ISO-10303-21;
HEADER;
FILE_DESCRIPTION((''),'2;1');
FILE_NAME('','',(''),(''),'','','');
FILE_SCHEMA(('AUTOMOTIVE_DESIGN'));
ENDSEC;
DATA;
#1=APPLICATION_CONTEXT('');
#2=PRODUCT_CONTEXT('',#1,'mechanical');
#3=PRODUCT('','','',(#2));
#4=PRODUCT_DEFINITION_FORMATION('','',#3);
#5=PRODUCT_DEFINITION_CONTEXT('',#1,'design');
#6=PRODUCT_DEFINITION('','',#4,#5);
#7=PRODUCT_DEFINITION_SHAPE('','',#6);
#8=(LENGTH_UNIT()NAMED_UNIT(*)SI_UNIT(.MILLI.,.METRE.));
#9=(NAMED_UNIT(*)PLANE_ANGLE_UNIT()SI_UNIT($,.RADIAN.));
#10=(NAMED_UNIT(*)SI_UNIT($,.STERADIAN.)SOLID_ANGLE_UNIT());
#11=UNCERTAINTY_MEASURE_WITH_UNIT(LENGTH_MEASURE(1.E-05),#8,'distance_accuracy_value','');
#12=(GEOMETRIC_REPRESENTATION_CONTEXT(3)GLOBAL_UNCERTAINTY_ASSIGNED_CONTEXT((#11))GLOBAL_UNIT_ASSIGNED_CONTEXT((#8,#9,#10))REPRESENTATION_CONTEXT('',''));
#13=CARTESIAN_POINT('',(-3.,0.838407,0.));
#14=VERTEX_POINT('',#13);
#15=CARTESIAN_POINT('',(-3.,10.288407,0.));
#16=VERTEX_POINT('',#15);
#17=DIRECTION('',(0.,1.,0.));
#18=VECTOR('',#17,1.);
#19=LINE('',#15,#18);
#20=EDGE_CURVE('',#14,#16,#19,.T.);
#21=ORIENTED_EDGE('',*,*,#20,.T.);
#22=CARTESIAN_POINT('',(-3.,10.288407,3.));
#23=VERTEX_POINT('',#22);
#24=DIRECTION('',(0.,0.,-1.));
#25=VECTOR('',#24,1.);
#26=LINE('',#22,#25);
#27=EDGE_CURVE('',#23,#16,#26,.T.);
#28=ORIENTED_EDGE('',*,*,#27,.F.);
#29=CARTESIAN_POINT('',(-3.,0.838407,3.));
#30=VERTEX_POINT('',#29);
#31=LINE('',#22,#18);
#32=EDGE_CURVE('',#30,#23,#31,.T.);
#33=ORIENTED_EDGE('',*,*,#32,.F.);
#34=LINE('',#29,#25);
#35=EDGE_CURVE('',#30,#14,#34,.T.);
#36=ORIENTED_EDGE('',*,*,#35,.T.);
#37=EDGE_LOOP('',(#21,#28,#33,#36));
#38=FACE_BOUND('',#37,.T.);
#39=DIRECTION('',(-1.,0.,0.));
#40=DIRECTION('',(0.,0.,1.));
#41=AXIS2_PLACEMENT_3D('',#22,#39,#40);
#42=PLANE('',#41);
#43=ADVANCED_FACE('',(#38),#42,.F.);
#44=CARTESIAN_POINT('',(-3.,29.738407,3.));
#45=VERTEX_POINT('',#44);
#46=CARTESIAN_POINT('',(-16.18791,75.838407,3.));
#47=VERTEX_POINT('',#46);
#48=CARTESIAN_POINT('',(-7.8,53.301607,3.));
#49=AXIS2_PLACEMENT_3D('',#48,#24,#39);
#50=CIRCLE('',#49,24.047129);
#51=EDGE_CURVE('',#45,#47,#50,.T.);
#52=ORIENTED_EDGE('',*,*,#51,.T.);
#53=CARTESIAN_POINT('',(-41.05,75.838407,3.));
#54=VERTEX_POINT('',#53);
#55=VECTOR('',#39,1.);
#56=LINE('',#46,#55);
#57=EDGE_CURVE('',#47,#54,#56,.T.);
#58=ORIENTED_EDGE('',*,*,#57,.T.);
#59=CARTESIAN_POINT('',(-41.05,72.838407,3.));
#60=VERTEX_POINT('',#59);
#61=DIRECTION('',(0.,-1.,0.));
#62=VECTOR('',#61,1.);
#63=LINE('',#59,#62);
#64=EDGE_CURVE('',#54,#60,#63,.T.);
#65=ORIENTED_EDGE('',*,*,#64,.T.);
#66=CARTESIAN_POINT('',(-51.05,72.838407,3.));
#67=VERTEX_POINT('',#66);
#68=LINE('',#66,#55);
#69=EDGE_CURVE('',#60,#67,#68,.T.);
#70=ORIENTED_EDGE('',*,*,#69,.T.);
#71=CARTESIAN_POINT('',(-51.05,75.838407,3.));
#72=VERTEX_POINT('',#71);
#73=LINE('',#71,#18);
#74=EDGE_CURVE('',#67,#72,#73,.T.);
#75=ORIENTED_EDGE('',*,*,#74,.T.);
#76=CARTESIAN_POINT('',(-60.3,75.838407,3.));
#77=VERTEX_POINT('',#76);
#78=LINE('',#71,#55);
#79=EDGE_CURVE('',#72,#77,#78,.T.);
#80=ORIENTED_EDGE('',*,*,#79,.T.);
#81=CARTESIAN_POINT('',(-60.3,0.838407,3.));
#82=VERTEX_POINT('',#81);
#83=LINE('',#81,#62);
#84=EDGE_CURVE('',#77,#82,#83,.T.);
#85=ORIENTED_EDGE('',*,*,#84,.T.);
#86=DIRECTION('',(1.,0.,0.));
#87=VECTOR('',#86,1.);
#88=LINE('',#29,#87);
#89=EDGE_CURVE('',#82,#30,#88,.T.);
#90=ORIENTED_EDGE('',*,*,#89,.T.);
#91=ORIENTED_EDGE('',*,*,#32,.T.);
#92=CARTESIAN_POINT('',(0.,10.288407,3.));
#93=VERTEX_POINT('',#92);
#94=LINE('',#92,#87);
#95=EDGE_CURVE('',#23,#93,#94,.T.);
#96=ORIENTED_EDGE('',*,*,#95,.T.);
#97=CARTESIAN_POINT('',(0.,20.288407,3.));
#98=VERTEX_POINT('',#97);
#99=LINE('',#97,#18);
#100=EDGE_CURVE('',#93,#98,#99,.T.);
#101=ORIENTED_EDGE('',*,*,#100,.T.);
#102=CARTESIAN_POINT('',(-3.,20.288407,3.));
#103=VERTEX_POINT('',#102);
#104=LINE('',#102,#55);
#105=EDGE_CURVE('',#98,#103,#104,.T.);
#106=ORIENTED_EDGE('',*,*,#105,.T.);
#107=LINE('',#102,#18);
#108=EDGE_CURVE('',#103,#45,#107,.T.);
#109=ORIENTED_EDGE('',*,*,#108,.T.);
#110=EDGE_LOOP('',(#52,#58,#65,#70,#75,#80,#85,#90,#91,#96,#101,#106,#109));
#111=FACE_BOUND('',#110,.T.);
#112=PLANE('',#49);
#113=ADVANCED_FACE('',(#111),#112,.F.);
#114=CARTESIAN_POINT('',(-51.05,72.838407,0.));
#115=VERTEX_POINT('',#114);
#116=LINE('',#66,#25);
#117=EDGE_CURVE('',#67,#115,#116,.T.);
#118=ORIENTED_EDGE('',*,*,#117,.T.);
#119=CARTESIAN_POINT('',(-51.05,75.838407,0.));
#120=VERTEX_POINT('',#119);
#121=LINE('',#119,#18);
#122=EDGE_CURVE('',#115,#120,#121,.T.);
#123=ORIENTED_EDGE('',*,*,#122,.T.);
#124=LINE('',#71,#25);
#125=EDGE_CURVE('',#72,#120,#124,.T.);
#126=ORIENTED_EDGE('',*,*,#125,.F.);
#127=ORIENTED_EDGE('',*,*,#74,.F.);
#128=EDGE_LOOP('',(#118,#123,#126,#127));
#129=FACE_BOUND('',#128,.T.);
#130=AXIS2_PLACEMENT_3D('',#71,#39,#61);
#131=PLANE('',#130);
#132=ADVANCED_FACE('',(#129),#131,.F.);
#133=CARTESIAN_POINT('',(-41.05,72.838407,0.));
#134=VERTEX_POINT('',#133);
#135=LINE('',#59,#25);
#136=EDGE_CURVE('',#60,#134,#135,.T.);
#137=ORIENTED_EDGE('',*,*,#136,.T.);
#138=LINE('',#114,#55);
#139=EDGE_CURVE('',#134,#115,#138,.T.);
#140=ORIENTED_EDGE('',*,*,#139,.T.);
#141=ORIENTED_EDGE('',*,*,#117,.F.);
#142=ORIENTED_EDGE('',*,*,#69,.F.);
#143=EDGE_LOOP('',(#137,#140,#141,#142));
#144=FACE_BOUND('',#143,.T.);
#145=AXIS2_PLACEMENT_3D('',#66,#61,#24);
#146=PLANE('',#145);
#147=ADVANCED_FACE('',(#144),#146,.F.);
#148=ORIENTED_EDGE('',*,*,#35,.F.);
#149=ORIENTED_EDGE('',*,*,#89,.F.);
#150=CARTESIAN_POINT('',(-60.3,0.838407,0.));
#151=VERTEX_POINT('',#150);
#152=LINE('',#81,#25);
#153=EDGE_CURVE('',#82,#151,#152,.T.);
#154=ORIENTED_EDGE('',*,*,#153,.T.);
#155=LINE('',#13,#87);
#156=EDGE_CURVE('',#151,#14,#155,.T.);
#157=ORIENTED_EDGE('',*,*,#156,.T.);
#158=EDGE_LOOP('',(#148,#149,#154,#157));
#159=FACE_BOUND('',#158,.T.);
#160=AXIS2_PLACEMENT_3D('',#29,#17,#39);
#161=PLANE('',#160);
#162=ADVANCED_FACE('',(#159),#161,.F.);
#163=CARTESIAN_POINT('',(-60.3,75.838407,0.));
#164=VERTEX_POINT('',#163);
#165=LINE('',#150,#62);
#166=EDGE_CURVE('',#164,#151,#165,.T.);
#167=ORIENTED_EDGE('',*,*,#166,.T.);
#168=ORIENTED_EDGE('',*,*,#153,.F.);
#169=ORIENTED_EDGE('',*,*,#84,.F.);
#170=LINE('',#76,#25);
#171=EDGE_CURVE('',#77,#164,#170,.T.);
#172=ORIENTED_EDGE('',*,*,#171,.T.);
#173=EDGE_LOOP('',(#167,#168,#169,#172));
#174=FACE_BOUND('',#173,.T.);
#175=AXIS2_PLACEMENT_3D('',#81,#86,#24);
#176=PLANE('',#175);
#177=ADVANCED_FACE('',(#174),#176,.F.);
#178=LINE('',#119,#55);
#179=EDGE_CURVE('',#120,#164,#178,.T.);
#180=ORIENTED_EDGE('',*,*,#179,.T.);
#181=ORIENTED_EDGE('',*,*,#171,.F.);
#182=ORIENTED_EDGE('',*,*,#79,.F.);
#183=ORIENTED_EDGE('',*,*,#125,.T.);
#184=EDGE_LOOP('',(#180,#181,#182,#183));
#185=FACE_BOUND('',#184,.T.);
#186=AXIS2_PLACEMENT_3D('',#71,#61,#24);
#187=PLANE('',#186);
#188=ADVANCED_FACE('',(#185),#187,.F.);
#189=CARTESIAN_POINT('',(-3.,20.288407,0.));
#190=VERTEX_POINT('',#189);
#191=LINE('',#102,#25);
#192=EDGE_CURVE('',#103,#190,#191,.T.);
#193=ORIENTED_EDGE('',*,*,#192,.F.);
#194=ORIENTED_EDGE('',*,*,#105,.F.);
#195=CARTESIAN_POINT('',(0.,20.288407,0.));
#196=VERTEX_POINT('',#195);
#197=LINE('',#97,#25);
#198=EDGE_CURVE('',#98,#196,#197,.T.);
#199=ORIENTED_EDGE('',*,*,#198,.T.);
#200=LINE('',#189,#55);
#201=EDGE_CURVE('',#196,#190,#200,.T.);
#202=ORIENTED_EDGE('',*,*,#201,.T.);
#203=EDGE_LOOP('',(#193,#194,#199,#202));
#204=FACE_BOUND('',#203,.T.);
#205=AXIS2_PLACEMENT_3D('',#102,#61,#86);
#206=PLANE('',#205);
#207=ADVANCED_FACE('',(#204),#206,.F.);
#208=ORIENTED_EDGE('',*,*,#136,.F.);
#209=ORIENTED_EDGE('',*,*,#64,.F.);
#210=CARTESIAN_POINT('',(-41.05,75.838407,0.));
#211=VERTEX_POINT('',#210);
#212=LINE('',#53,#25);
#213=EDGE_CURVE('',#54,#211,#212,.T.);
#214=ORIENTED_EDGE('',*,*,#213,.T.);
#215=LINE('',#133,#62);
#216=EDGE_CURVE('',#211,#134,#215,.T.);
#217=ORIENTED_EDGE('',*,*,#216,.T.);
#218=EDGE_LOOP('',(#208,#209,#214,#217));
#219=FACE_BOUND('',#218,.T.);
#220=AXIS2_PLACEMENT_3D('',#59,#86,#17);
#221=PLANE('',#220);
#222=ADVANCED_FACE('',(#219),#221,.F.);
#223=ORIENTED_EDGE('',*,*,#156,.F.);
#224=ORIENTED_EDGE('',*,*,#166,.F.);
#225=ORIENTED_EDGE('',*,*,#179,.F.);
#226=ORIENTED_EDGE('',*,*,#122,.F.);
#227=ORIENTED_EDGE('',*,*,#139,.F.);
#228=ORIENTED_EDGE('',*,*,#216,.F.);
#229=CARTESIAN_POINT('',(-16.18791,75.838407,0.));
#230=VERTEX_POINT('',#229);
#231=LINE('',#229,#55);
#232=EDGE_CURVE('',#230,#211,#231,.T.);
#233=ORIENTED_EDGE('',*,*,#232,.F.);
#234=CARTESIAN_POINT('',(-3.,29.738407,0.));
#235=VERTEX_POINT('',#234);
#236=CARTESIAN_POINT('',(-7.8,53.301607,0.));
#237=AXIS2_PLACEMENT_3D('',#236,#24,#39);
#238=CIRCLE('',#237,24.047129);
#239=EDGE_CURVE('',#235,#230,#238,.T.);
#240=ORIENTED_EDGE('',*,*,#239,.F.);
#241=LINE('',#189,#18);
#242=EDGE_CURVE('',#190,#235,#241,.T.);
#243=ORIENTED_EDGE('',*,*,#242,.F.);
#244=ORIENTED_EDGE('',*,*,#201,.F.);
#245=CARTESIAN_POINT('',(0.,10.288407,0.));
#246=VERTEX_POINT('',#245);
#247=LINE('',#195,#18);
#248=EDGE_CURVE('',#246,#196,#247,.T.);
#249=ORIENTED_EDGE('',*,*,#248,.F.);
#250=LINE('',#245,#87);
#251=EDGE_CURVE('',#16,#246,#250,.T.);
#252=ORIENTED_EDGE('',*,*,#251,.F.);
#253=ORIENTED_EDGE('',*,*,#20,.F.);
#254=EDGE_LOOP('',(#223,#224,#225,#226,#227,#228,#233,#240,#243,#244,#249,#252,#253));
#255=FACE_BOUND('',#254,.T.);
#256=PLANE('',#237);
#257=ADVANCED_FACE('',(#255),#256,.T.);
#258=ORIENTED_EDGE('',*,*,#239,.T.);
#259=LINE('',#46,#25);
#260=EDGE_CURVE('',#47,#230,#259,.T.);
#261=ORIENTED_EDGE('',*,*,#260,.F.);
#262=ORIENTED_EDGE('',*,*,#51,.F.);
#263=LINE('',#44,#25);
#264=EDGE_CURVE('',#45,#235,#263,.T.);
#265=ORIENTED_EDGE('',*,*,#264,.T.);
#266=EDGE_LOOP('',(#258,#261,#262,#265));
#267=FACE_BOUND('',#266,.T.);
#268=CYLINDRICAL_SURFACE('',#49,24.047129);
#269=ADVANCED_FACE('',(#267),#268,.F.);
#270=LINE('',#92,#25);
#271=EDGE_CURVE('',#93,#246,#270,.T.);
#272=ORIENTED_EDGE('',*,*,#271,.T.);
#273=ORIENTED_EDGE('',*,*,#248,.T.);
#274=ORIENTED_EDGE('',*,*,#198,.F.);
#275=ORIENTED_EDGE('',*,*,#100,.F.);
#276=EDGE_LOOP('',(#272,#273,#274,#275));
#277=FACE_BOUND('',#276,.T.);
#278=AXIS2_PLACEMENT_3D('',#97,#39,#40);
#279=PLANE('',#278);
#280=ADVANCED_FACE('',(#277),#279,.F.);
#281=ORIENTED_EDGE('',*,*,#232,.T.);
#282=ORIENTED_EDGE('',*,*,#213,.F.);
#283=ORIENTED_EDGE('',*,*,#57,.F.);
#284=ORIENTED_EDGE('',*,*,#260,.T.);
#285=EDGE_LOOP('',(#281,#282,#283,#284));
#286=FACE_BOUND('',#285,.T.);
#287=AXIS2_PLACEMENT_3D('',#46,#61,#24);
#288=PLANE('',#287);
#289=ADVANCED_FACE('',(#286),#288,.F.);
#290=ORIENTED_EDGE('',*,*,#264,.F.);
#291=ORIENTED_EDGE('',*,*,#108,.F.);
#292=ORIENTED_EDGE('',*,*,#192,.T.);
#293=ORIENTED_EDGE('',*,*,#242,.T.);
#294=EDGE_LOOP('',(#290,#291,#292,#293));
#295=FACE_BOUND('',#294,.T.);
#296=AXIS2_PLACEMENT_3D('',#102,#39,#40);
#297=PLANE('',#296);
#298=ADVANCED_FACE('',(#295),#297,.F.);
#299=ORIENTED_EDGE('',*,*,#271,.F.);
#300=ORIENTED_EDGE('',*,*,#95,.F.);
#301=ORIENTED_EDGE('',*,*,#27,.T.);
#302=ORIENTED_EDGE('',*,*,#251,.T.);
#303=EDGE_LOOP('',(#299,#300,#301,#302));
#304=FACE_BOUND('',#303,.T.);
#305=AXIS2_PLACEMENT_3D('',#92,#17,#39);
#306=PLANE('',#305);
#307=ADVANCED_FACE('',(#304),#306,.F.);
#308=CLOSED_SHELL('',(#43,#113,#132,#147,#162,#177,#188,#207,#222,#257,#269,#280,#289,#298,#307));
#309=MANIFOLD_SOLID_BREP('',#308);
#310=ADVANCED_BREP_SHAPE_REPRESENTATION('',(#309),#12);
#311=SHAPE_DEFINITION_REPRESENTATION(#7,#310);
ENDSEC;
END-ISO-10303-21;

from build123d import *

# Parameters (mm, degrees)
SALIENTE_EXTRUIR1_DEPTH = 3


with BuildPart() as part:
    # Croquis1 → Saliente-Extruir1 (new body)
    with BuildSketch(Plane.XY):
        with BuildLine():
            Line((-3, 0.83840696), (-60.3, 0.83840696))
            Line((-60.3, 0.83840696), (-60.3, 75.83840696))
            Line((-60.3, 75.83840696), (-51.05, 75.83840696))
            Line((-51.05, 75.83840696), (-51.05, 72.83840696))
            Line((-51.05, 72.83840696), (-41.05, 72.83840696))
            Line((-41.05, 72.83840696), (-41.05, 75.83840696))
            Line((-41.05, 75.83840696), (-16.187910348, 75.83840696))
            ThreePointArc((-16.187910348, 75.83840696), (-30.919705343, 46.687711053), (-3, 29.73840696))
            Line((-3, 29.73840696), (-3, 20.28840696))
            Line((-3, 20.28840696), (0, 20.28840696))
            Line((0, 20.28840696), (0, 10.28840696))
            Line((0, 10.28840696), (-3, 10.28840696))
            Line((-3, 10.28840696), (-3, 0.83840696))
        make_face()
    extrude(amount=SALIENTE_EXTRUIR1_DEPTH)


solid = part.part
